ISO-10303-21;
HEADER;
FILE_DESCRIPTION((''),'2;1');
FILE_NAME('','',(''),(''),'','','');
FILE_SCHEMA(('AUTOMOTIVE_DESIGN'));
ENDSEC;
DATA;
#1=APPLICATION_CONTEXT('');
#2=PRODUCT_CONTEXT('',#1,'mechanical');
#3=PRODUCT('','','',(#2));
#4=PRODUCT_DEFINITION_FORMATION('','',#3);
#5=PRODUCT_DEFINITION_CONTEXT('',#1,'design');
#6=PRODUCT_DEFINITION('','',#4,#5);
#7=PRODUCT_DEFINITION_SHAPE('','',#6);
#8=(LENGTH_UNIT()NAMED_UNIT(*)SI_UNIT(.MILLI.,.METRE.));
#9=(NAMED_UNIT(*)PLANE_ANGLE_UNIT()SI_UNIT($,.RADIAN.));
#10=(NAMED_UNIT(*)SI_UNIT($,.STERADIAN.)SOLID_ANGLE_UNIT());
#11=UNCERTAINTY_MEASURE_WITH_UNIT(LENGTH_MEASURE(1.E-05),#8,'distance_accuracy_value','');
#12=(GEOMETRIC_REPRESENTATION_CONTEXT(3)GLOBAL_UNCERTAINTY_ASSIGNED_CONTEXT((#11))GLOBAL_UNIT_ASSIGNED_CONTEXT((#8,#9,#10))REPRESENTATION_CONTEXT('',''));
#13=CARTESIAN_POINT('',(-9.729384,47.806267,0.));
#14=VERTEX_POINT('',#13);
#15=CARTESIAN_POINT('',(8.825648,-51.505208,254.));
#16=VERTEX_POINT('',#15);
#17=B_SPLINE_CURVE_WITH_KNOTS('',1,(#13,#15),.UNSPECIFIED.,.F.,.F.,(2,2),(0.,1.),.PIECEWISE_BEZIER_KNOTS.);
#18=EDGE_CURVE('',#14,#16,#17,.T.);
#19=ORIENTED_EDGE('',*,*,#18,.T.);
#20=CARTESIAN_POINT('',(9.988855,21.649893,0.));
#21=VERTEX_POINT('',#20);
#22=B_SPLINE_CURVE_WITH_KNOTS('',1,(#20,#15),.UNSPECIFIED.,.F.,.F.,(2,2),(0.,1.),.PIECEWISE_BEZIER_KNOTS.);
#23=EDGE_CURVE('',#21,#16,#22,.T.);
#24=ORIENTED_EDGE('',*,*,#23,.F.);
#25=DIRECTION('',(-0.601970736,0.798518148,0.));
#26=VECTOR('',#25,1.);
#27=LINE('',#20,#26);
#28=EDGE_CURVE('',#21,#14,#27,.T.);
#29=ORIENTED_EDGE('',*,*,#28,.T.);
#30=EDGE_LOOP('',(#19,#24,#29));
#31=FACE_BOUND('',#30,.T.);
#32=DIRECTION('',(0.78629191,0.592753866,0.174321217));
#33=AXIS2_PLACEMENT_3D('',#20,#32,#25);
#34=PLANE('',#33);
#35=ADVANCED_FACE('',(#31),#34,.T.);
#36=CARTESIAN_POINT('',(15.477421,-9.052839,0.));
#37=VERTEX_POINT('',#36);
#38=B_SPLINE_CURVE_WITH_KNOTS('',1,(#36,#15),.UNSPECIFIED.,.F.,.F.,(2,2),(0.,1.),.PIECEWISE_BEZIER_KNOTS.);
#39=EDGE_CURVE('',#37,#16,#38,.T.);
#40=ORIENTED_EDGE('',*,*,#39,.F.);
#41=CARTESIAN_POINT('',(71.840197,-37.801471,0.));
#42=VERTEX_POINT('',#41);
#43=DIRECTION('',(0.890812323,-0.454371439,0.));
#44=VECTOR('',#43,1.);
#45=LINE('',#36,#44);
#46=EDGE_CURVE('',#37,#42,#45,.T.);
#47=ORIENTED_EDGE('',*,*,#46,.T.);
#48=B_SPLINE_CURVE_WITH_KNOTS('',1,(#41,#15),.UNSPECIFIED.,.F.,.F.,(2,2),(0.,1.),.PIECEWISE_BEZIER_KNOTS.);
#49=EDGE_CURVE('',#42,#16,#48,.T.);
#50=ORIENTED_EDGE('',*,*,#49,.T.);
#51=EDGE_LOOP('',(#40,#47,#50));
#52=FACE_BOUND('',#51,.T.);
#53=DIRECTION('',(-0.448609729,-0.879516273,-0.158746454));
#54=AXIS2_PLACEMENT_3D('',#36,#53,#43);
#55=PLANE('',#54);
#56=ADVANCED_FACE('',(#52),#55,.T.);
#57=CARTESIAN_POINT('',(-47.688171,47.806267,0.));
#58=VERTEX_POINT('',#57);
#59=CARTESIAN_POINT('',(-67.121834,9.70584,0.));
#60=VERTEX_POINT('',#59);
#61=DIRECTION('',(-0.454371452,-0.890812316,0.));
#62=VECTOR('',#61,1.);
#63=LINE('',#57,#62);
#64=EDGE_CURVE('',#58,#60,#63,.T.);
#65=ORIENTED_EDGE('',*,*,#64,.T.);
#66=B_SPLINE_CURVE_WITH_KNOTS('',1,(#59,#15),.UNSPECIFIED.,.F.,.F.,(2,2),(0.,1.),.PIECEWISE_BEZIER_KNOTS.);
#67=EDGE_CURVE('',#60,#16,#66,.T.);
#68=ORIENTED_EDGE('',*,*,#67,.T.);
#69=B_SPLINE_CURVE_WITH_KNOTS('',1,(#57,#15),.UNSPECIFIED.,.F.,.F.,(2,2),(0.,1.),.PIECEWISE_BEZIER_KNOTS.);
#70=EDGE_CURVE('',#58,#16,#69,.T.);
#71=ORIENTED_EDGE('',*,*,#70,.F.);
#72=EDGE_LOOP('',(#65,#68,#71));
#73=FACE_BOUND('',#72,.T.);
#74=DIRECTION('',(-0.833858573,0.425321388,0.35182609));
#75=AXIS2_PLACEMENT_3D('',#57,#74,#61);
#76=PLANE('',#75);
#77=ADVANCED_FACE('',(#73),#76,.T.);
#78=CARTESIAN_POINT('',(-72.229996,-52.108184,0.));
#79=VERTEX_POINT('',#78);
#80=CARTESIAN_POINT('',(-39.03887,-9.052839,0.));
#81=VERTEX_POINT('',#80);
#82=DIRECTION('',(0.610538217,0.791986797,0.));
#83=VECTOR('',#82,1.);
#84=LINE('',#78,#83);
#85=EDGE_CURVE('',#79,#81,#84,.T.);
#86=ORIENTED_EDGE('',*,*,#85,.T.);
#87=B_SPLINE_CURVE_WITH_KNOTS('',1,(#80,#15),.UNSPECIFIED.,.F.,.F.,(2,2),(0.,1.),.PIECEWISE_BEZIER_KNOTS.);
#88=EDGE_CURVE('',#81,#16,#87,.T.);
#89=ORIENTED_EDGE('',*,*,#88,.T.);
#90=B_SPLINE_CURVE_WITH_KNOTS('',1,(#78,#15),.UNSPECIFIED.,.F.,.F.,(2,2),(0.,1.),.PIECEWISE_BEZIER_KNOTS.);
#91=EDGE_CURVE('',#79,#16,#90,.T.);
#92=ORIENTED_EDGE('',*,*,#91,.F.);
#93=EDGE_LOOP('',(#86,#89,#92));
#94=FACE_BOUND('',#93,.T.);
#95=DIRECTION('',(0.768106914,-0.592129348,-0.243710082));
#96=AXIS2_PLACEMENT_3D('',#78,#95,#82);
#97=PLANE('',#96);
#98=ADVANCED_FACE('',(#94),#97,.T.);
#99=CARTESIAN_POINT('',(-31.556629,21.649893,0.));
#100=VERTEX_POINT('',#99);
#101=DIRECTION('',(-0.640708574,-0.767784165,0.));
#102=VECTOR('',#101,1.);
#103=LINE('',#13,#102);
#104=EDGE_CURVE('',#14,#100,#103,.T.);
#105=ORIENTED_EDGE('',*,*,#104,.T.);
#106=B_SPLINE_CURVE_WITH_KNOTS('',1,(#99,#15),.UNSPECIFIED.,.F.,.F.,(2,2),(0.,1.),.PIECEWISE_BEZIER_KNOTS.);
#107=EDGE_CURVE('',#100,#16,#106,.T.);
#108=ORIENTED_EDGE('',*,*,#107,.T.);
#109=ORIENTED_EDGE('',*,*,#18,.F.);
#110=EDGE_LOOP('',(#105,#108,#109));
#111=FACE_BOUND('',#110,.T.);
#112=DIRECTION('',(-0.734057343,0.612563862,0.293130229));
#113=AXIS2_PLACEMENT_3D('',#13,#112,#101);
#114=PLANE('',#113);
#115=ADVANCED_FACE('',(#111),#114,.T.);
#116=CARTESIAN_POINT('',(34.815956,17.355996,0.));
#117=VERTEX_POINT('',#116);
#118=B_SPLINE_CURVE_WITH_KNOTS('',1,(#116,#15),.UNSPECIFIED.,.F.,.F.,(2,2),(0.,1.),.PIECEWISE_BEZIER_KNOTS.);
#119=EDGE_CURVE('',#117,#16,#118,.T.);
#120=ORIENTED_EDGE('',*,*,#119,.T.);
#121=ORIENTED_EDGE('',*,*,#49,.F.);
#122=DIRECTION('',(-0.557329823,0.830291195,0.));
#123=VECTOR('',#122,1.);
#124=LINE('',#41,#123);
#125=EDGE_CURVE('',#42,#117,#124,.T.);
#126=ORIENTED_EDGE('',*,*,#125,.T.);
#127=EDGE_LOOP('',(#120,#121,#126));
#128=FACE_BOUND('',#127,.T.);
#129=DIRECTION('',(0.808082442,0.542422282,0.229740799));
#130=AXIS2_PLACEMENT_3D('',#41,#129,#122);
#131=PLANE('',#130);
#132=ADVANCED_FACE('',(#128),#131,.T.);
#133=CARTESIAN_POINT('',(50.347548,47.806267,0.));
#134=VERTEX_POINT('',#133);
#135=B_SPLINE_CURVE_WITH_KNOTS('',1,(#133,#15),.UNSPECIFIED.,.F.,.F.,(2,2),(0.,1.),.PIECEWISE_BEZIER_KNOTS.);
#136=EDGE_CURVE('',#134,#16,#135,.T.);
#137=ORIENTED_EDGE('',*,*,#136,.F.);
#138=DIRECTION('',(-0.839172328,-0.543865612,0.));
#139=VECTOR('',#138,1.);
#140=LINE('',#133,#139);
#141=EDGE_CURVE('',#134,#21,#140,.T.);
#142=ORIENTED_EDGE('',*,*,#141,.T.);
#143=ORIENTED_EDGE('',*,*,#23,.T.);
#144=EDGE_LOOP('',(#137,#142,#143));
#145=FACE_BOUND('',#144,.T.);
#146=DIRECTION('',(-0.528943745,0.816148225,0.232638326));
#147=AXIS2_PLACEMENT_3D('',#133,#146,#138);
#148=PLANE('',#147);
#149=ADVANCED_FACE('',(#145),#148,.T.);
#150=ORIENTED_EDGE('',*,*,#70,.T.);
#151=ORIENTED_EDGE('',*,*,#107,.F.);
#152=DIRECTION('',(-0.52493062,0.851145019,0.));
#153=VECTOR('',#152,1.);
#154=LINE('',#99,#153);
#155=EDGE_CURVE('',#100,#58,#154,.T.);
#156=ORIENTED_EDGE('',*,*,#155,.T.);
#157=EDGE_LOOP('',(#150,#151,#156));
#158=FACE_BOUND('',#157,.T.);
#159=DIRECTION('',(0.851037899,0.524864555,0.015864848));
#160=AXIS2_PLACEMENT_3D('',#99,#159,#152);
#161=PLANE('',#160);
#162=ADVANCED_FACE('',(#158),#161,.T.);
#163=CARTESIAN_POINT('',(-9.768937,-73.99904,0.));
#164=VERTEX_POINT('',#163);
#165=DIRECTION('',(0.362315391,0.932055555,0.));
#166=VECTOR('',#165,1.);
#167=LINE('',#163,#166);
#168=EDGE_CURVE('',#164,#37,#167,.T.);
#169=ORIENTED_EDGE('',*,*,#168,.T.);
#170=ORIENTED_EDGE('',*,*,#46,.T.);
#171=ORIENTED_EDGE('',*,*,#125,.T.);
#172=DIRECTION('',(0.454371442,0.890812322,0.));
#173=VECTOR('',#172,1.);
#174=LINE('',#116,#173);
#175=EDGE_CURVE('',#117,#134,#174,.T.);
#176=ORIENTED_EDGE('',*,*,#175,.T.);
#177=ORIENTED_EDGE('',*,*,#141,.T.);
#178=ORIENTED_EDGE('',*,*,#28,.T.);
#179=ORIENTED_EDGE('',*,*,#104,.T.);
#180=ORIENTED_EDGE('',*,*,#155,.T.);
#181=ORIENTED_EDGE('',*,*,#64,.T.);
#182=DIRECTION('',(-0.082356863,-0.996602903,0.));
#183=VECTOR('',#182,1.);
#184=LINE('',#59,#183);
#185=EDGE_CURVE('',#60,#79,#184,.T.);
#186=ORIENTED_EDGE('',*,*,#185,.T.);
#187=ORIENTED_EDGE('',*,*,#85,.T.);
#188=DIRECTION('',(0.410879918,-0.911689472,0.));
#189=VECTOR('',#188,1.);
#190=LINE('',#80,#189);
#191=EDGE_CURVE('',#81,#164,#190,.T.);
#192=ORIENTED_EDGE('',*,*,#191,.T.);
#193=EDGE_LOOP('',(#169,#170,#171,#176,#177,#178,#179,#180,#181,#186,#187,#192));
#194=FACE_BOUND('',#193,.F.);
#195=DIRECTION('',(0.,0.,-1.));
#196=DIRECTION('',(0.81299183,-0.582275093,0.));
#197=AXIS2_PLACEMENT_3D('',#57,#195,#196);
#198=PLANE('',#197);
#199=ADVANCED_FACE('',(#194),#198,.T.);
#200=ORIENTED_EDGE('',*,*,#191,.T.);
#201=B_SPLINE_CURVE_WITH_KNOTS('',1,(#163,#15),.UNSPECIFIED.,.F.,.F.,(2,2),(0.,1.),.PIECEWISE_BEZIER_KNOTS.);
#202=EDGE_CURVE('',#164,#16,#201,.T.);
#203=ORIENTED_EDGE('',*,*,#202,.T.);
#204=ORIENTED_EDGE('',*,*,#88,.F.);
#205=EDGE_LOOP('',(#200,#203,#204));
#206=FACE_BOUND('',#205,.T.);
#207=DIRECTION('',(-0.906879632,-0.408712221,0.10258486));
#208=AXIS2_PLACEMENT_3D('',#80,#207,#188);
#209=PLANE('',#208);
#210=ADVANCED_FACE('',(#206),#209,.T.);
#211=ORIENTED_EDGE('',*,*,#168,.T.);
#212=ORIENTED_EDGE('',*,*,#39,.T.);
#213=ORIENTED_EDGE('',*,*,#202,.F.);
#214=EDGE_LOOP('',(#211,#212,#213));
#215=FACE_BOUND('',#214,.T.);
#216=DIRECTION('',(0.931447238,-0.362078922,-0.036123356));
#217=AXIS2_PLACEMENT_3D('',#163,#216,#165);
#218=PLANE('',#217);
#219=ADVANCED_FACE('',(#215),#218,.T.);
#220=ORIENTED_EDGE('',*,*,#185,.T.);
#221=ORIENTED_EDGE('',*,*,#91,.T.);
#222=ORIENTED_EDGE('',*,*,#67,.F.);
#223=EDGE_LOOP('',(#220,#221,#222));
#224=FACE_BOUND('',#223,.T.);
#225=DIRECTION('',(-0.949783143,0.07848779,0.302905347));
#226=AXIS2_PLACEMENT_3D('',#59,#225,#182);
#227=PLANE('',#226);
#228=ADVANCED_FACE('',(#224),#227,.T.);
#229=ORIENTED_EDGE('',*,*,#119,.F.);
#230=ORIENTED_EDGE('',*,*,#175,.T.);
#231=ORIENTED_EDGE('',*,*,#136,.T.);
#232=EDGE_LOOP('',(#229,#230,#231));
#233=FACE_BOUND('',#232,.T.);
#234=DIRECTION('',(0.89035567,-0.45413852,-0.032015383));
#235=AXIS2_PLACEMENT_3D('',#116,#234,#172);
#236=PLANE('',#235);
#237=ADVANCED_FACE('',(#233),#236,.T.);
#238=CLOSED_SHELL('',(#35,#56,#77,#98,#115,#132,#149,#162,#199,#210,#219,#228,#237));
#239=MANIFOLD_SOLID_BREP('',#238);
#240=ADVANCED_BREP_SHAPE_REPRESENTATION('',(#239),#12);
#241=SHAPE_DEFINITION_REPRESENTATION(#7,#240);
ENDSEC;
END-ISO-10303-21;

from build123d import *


with BuildPart() as f3:
    # F0 (on Top) → F3 section 0
    with BuildSketch(Plane.XY, mode=Mode.PRIVATE) as f3_s0:
        Polygon((-47.688171, 47.806267), (-67.121834, 9.70584), (-72.229996, -52.108184), (-39.03887, -9.052839), (-9.768937, -73.99904), (15.477421, -9.052839), (71.840197, -37.801471), (34.815956, 17.355996), (50.347548, 47.806267), (9.988855, 21.649893), (-9.729384, 47.806267), (-31.556629, 21.649893), align=None)
    loft([f3_s0.sketch, Vertex(8.825648, -51.505208, 254)])


solid = f3.part
